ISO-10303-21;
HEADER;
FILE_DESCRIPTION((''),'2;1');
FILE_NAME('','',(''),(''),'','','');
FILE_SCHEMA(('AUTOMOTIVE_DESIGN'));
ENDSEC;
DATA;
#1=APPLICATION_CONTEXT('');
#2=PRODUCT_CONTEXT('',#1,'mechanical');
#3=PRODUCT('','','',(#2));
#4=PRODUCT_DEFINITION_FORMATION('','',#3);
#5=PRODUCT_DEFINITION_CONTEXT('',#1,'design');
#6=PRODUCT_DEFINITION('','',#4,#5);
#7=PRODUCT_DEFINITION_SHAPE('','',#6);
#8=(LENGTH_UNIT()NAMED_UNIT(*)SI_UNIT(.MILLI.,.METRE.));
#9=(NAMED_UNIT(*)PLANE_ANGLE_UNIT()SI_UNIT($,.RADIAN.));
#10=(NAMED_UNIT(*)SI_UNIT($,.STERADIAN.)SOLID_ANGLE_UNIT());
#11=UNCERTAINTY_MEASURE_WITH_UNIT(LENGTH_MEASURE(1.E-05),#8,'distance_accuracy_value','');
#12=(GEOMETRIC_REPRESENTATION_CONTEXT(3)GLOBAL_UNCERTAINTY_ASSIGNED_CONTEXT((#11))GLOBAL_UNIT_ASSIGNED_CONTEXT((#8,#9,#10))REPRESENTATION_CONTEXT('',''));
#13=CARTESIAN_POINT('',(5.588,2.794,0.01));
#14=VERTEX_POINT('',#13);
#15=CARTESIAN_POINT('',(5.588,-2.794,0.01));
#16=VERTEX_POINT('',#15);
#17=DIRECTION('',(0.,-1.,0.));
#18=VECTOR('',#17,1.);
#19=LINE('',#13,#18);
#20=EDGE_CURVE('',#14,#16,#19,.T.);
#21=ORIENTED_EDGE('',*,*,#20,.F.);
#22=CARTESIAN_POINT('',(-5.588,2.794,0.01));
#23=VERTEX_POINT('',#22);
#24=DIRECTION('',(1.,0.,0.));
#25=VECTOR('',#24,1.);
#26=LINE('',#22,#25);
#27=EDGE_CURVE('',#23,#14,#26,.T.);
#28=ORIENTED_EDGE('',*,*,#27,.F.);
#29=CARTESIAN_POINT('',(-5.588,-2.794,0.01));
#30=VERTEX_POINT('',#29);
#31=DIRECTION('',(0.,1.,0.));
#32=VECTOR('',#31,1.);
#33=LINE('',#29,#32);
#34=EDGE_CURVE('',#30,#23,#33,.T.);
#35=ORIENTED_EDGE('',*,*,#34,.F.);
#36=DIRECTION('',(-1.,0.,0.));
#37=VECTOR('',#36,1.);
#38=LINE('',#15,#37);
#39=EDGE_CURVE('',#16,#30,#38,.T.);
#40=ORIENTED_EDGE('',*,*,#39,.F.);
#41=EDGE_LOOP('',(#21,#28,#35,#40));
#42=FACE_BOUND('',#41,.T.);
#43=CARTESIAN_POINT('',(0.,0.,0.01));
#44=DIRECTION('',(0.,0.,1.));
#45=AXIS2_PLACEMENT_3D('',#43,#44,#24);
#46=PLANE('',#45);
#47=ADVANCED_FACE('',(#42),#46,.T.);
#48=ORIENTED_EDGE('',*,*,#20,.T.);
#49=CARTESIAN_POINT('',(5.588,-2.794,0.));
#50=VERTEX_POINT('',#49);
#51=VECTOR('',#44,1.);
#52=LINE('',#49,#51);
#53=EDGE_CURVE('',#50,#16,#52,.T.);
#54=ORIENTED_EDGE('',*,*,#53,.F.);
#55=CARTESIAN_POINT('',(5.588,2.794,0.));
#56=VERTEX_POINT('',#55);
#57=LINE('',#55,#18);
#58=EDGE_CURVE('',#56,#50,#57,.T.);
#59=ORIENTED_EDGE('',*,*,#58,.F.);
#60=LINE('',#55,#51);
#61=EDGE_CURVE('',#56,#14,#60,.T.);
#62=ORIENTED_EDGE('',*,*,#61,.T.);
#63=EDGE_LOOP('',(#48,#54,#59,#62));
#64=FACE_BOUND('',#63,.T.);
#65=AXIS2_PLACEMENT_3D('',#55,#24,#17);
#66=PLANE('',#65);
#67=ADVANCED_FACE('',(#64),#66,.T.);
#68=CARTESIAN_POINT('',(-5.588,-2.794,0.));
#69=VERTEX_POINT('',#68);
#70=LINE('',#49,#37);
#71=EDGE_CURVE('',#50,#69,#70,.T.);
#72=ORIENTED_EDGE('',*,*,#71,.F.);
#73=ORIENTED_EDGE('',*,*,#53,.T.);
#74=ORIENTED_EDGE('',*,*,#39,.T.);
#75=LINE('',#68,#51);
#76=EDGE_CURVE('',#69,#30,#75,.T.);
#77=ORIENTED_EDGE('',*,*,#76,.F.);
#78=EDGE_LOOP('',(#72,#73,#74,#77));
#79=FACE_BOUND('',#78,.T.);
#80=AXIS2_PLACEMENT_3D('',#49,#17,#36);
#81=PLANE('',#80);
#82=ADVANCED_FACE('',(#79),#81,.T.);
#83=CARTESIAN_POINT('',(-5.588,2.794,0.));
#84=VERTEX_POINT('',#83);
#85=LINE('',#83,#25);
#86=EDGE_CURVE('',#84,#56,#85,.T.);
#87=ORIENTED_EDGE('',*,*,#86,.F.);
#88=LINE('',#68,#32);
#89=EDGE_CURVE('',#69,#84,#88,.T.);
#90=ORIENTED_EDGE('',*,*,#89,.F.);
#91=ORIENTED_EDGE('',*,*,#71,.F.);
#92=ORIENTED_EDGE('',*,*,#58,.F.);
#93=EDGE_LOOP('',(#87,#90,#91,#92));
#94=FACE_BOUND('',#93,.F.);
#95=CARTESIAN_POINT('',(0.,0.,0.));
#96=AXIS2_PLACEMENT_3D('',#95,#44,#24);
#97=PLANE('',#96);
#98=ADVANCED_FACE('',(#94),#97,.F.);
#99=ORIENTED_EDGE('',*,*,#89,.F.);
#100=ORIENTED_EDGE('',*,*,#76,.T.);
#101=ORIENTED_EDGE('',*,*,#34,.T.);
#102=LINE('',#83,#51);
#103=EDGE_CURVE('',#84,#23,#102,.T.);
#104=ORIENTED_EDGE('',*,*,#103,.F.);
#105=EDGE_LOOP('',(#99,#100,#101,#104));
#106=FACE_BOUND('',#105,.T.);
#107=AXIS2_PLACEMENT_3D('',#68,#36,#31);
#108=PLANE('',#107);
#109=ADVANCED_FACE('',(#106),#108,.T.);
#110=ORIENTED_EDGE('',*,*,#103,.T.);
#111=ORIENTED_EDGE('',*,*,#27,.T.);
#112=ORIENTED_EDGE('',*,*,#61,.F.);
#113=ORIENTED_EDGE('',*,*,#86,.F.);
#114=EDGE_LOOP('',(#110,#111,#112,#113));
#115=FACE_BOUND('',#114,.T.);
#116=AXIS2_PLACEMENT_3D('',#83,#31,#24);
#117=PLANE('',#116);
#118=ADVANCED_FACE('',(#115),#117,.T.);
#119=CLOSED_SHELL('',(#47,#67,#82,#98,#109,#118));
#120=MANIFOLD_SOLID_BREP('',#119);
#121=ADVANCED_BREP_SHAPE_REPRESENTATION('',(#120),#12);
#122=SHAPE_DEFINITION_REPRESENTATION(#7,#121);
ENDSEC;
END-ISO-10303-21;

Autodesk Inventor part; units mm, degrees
ref_plane "YZ Plane" through (0, 0, 0) normal (1, 0, 0) x (0, 1, 0)
ref_plane "XZ Plane" through (0, 0, 0) normal (0, 1, 0) x (-1, 0, 0)
ref_plane "XY Plane" through (0, 0, 0) normal (0, 0, 1) x (1, 0, 0)
sketch "HC49U-V, 16_000_59" plane through (0, 0, 0) normal (0, 0, 1) x (1, 0, 0)
  line L0 (-5.588, 2.794) -> (5.588, 2.794)
  line L1 (5.588, 2.794) -> (5.588, -2.794)
  line L2 (5.588, -2.794) -> (-5.588, -2.794)
  line L3 (-5.588, -2.794) -> (-5.588, 2.794)
extrude "Extrusion1" add sketch "HC49U-V, 16_000_59" along normal blind 0.01
properties part number "16_000"
